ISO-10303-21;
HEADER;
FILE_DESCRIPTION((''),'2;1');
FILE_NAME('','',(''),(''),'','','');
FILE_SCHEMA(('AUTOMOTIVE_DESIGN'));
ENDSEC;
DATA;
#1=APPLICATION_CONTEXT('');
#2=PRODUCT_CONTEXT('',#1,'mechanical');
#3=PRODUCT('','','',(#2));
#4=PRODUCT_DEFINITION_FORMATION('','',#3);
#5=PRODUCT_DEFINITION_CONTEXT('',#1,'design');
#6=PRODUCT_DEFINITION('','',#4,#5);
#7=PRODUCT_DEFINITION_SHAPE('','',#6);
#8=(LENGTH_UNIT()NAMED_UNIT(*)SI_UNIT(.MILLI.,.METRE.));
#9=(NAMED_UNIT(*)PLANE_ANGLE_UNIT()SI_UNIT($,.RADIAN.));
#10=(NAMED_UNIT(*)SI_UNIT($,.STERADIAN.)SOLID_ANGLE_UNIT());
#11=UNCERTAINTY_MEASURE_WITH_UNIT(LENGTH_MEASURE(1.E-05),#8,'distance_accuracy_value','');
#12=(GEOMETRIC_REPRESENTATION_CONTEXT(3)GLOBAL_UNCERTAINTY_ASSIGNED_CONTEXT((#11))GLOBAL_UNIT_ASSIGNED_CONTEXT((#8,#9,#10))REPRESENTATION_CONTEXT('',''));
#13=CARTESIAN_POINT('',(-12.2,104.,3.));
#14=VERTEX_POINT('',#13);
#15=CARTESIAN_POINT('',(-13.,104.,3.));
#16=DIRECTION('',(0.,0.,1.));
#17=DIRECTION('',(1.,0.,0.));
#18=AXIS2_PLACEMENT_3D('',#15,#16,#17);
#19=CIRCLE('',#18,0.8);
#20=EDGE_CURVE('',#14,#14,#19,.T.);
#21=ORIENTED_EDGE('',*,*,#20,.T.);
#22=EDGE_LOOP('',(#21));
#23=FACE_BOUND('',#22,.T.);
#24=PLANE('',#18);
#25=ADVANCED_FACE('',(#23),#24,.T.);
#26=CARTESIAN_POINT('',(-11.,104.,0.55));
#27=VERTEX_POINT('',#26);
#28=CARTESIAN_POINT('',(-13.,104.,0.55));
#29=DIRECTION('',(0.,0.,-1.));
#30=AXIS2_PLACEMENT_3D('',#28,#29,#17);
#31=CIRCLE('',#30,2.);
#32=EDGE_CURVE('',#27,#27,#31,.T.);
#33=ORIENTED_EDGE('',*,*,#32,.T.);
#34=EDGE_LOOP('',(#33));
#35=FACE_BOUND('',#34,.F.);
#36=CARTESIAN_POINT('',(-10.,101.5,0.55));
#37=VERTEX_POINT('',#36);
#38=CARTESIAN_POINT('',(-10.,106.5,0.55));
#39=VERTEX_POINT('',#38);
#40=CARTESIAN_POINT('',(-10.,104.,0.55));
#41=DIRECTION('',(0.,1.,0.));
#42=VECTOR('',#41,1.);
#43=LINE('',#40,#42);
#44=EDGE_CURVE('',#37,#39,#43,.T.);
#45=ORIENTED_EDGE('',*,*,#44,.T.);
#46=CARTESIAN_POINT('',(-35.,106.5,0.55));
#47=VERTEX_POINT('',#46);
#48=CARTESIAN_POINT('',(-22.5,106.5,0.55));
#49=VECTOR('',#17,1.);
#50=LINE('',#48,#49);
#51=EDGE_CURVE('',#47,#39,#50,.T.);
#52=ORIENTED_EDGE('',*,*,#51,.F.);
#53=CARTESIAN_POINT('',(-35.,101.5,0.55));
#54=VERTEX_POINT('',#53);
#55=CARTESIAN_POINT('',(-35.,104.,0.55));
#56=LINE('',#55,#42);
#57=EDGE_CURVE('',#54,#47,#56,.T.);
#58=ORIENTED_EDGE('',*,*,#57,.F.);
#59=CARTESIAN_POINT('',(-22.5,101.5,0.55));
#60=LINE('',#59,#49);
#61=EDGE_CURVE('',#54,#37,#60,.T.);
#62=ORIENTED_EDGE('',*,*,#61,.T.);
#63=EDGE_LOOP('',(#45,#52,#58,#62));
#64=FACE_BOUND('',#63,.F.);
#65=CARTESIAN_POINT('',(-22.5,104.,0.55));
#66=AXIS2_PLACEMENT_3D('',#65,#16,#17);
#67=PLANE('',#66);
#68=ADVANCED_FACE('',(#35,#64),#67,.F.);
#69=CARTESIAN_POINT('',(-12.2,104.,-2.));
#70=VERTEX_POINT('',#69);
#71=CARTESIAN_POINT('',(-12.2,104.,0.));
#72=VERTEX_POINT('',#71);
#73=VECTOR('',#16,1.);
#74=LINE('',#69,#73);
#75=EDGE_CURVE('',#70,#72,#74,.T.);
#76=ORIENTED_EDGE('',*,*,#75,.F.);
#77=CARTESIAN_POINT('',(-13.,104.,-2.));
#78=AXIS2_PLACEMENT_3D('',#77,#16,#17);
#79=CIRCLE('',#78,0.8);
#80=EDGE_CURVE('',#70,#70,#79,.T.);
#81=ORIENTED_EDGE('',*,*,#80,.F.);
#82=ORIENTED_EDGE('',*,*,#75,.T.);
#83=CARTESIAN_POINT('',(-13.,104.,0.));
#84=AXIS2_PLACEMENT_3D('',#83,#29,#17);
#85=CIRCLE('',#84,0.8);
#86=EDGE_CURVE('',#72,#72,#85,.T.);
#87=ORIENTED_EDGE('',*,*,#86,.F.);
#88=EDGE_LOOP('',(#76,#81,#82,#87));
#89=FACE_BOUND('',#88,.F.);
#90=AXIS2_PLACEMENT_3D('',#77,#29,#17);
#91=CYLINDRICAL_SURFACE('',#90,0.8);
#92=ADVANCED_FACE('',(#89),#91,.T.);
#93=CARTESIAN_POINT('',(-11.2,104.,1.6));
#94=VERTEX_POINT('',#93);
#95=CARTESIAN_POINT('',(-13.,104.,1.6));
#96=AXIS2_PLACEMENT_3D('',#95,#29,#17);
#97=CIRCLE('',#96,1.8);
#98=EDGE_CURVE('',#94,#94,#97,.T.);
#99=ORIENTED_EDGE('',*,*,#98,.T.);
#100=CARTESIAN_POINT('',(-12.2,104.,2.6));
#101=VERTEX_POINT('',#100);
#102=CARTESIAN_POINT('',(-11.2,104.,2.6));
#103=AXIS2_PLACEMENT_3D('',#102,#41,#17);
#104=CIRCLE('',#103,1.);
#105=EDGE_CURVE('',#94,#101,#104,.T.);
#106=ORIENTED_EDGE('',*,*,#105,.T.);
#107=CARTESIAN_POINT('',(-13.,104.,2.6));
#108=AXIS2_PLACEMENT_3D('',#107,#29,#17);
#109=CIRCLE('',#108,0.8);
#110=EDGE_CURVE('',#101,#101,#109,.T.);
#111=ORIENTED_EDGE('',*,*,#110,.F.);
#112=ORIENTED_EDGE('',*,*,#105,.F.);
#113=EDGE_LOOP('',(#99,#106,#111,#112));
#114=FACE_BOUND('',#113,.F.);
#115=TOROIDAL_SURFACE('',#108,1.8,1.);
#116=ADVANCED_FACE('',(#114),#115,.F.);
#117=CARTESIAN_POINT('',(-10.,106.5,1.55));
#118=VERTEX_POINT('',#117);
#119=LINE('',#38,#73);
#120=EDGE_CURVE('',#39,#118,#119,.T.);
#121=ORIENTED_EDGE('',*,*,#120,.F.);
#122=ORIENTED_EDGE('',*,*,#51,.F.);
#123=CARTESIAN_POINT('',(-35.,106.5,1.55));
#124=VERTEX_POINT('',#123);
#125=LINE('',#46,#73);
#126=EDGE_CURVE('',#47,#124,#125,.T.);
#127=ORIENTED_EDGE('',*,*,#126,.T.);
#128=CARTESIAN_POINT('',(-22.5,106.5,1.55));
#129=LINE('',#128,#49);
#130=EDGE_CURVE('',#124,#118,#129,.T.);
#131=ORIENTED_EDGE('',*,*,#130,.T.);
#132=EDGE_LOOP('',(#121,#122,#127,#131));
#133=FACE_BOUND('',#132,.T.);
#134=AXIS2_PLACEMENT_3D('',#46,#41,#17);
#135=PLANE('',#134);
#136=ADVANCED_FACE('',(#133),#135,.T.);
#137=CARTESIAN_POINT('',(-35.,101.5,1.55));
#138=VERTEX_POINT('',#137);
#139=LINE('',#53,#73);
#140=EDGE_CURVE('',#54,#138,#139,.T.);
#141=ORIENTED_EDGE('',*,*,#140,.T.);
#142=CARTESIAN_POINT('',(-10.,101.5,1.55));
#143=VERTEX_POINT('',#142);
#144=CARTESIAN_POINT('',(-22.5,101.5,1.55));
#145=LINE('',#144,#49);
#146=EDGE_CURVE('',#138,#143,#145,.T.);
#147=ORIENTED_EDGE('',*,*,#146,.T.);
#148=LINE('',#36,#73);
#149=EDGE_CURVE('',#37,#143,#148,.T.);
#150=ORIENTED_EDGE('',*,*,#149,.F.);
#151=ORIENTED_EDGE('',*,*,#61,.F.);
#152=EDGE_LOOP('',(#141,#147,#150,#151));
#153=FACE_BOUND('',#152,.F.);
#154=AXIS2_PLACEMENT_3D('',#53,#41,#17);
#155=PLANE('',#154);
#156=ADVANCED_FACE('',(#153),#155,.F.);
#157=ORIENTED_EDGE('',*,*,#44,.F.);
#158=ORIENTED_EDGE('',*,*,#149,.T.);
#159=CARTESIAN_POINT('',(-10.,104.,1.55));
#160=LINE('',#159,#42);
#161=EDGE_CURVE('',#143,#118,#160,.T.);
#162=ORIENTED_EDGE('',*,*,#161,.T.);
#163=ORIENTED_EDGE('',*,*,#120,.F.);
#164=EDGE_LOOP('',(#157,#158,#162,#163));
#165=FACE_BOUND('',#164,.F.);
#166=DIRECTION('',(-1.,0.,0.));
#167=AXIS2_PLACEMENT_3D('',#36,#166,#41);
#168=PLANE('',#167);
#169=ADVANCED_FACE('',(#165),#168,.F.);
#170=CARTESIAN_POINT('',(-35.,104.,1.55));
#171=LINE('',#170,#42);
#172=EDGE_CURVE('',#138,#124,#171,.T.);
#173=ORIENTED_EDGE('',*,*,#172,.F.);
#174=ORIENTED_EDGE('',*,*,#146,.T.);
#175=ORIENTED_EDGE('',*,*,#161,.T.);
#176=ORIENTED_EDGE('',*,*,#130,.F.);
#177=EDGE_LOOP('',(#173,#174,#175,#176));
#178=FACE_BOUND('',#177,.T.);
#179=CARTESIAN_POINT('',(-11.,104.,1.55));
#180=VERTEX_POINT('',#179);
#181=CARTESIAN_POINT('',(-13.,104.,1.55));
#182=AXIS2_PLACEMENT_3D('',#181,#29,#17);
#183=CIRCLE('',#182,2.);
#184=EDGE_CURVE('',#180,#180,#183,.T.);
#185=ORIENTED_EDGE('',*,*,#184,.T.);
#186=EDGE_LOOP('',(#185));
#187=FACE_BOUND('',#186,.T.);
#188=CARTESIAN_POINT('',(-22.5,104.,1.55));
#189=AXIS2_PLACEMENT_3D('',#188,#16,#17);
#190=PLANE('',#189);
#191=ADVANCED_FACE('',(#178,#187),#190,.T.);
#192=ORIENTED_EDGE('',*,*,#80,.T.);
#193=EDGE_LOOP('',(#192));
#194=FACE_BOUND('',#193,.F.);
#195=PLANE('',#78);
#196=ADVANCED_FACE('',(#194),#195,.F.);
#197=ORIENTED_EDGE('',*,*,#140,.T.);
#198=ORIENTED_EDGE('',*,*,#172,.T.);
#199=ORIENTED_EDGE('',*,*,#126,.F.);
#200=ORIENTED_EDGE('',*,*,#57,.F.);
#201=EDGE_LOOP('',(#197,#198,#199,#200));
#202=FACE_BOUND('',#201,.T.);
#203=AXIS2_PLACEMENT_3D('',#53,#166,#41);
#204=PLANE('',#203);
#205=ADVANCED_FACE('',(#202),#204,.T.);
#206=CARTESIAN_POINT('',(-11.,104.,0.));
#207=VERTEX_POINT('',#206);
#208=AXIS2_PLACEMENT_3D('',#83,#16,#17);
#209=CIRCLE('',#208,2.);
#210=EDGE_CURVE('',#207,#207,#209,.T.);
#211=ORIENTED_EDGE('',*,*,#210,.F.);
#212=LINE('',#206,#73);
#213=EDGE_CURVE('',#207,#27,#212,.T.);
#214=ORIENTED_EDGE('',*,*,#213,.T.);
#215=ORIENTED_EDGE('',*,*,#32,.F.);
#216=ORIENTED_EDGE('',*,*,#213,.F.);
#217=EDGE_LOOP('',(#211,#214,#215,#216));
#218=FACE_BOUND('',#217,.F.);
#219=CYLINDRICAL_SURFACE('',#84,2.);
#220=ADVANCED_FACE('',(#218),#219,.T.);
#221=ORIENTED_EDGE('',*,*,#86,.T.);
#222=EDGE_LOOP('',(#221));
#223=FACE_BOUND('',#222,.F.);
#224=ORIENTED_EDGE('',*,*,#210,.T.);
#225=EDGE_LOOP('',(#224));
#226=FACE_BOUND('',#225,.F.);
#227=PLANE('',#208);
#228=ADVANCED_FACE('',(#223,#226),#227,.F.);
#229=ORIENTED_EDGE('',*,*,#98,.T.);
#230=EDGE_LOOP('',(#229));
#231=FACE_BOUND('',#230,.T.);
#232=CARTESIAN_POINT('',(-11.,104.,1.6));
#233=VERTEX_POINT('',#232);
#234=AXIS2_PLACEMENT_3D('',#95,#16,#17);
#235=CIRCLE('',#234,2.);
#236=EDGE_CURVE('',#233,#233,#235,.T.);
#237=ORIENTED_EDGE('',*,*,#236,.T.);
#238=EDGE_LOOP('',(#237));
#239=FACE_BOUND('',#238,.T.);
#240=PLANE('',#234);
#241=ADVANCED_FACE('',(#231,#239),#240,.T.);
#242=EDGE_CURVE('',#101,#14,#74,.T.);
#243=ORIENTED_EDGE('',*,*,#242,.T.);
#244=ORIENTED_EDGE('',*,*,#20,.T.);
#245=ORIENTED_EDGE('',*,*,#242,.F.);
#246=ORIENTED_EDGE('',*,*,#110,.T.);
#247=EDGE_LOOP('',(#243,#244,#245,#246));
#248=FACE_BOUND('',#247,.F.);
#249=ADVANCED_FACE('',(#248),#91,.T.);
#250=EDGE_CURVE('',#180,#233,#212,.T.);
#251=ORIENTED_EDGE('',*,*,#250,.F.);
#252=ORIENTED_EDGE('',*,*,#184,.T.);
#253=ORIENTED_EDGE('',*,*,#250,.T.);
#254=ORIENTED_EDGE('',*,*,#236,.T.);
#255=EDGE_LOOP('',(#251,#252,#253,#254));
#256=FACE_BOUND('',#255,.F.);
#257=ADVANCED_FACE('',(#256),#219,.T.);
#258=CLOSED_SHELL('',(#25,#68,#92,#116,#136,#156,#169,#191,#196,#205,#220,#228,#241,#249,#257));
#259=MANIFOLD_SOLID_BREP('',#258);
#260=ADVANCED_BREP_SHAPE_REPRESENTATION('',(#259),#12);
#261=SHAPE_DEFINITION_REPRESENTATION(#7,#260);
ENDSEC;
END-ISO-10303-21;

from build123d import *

# Parameters (mm, degrees)
CYLINDER004_R     = 0.8
CYLINDER004_DEPTH = 5
CYLINDER006_R     = 2
CYLINDER006_DEPTH = 1.6
FILLET003_R       = 1
BOX006_W          = 25
BOX006_H          = 5
BOX006_DEPTH      = 1


with BuildPart() as cilindro004:
    # Cylinder004 → Cylinder004 (new body)
    with BuildSketch(Plane(origin=(-8, 104, -2), x_dir=(1, 0, 0), z_dir=(0, 0, 1))):
        Circle(CYLINDER004_R)
    extrude(amount=CYLINDER004_DEPTH)


with BuildPart() as fillet003:
    # Cylinder006 → Cylinder006 (new body)
    with BuildSketch(Plane(origin=(-8, 104, 0), x_dir=(1, 0, 0), z_dir=(0, 0, 1))):
        Circle(CYLINDER006_R)
    extrude(amount=CYLINDER006_DEPTH)

    # Fusion003: union Cilindro004
    add(cilindro004.part)

    # Fillet003
    fillet003_edges = [fillet003.edges().sort_by_distance(p)[0] for p in [
        (-8.8, 104, 1.6),
    ]]
    fillet(fillet003_edges, radius=FILLET003_R)


with BuildPart() as soldaduranegro:
    # Box006 → Box006 (new body)
    with BuildSketch(Plane(origin=(-30, 101.5, 0.55), x_dir=(1, 0, 0), z_dir=(0, 0, 1))):
        with Locations((12.5, 2.5)):
            Rectangle(BOX006_W, BOX006_H)
    extrude(amount=BOX006_DEPTH)

    # Fusion005: union Fillet003
    add(fillet003.part)


with BuildPart() as soldaduranegro_1:
    # Fusion005 placement: moved
    add(soldaduranegro.part.moved(Location((-5, 0, 0))))


solid = soldaduranegro_1.part
